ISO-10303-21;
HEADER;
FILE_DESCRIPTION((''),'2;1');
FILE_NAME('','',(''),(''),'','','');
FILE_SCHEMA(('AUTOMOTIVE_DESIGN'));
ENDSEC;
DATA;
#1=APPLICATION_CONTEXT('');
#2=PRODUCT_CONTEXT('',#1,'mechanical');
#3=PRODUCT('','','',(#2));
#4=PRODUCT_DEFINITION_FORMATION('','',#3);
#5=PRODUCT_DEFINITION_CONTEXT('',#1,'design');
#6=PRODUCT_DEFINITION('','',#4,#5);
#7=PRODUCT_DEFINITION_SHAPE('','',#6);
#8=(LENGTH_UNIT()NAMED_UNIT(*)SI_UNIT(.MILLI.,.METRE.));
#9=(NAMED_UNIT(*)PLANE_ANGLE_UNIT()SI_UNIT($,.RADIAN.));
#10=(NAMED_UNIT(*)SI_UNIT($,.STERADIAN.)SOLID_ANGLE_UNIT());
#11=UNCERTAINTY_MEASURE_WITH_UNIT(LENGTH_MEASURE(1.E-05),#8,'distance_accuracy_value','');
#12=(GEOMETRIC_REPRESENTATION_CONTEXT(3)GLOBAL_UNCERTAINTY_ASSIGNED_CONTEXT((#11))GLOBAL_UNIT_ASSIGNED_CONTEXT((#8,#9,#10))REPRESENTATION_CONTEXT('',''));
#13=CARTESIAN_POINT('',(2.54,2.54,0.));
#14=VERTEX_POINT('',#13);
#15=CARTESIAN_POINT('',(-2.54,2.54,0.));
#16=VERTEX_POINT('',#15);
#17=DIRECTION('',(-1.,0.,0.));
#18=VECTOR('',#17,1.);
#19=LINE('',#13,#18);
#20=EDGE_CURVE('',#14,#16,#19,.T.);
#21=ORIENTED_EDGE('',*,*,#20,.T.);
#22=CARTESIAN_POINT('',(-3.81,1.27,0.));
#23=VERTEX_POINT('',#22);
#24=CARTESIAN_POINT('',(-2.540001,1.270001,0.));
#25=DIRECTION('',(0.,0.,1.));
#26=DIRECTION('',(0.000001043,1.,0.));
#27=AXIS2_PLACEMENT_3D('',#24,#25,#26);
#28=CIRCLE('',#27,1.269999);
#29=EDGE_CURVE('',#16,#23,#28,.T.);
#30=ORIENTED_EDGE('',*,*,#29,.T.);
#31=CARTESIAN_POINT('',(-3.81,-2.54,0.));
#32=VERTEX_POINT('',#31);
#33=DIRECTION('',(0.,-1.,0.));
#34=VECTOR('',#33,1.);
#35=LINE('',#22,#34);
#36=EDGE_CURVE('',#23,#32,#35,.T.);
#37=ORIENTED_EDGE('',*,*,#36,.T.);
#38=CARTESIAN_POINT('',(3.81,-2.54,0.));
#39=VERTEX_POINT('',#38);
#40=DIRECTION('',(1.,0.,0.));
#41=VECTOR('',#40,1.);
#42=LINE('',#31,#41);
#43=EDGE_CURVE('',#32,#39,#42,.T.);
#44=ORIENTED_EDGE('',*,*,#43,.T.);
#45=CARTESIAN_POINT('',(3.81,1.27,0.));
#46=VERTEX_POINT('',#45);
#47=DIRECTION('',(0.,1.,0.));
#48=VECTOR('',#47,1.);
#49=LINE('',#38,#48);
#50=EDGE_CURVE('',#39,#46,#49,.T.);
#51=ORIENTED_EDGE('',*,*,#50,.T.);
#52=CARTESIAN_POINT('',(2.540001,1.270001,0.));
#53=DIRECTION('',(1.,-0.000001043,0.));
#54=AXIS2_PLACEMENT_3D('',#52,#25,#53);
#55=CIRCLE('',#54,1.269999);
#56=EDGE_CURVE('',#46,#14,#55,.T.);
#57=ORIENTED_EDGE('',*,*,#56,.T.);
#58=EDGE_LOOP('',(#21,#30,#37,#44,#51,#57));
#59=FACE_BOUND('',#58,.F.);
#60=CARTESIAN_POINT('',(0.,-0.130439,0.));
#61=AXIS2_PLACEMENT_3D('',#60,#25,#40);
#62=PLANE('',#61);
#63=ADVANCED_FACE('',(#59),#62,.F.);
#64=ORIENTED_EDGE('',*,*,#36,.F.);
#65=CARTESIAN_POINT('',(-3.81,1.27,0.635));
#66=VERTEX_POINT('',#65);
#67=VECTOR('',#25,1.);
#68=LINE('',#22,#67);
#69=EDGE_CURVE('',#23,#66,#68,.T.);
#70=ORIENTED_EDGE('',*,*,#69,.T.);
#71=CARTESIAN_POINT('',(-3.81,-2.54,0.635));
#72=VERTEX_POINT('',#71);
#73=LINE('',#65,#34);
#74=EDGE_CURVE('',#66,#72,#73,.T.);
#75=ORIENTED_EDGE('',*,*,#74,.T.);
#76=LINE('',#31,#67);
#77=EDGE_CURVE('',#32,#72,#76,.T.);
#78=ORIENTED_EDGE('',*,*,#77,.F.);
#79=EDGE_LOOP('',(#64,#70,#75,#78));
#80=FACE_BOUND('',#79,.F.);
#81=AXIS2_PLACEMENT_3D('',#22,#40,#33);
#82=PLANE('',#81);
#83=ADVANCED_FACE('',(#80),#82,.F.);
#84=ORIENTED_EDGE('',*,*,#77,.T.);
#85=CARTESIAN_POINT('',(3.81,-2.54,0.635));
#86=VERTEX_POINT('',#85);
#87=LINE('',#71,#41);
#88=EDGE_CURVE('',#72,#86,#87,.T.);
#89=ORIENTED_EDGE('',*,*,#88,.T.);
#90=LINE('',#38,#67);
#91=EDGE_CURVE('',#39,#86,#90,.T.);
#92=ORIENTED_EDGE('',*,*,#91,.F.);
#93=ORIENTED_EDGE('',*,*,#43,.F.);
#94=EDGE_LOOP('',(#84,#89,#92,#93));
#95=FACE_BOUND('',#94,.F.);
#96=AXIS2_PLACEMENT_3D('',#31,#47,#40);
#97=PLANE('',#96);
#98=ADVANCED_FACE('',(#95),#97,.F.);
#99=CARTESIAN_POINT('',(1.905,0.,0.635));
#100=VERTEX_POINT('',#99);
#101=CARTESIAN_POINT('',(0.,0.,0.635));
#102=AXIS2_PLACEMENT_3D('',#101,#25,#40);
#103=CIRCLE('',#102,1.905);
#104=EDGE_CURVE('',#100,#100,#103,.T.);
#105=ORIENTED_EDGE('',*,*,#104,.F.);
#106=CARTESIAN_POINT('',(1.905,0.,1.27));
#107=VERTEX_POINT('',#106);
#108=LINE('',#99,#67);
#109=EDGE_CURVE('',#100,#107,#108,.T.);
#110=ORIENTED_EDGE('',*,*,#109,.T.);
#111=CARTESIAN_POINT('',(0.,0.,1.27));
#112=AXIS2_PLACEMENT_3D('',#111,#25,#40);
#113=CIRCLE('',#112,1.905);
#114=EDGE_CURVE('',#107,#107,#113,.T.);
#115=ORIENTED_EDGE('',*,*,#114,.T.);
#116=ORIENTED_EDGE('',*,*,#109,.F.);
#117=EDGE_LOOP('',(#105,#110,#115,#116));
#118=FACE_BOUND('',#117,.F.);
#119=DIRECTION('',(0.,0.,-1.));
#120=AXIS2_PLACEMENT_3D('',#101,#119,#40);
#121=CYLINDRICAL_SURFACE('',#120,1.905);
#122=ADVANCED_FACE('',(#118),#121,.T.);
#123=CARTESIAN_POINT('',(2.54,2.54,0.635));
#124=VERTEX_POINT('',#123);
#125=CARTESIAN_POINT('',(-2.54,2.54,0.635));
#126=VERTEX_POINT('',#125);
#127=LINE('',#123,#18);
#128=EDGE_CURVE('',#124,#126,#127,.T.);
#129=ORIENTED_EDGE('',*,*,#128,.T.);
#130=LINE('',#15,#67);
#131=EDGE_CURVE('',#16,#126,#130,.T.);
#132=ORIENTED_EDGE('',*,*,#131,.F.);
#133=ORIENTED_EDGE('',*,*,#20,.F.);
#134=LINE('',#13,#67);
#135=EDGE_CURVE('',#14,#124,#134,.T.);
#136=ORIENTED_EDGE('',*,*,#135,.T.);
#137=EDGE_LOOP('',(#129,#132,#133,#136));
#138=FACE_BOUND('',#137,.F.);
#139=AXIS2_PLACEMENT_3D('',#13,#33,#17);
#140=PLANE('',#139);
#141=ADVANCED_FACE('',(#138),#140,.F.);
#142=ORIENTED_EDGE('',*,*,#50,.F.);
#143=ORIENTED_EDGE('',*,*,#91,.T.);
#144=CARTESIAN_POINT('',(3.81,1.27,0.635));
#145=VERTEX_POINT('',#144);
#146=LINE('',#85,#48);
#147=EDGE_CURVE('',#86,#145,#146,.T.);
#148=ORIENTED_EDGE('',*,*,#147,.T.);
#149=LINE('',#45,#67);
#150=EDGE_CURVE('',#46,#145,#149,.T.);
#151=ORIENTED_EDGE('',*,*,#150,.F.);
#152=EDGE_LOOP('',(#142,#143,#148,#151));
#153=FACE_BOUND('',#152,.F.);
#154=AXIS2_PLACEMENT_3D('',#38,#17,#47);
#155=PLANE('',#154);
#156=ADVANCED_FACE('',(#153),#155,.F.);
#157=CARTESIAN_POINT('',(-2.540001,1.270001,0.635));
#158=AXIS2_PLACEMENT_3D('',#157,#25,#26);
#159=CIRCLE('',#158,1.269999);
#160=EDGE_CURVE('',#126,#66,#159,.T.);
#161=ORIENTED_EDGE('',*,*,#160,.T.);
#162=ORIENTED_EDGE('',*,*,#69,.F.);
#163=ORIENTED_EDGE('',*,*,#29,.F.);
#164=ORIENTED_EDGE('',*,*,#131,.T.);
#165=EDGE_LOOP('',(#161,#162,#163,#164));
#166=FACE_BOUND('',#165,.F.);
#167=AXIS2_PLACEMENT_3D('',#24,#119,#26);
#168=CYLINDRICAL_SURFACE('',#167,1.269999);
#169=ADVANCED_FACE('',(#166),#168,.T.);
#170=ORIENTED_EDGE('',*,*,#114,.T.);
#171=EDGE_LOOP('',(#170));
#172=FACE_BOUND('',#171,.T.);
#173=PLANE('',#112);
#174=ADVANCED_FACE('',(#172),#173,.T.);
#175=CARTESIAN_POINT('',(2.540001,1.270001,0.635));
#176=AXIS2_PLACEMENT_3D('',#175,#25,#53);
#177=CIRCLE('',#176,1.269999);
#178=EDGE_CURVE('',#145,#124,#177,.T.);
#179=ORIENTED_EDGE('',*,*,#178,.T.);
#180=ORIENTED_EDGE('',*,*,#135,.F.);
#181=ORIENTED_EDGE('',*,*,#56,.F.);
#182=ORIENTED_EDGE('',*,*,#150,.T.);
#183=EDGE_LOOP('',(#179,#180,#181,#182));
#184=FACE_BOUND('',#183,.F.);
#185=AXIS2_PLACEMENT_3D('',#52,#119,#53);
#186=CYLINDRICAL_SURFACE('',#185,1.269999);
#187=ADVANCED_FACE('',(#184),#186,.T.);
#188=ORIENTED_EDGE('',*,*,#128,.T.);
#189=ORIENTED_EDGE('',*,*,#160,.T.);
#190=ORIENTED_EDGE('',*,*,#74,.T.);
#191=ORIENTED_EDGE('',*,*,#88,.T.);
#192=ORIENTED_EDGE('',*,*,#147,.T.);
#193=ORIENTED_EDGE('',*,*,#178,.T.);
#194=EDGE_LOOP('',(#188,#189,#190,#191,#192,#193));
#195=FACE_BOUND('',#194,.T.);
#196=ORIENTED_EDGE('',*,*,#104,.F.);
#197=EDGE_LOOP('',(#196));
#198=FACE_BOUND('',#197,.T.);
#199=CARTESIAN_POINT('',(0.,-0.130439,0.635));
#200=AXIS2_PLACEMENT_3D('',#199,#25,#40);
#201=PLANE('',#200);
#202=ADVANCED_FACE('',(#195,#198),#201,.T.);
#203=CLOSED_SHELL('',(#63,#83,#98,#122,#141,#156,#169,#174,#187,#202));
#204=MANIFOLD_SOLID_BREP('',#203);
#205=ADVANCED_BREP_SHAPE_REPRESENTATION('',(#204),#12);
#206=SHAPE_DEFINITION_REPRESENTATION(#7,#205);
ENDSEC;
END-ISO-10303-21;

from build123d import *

# Parameters (mm, degrees)
F1_DEPTH = 0.635
F2_R     = 1.905
F3_DEPTH = 0.635


with BuildPart() as f1:
    # F0 (on Top) → F1 (new body)
    with BuildSketch(Plane.XY):
        with BuildLine():
            Line((-3.81, -2.54), (3.81, -2.54))
            Line((3.81, -2.54), (3.81, 1.27))
            ThreePointArc((3.81, 1.27), (3.438026, 2.168026), (2.54, 2.54))
            Line((2.54, 2.54), (-2.54, 2.54))
            ThreePointArc((-2.54, 2.54), (-3.438026, 2.168026), (-3.81, 1.27))
            Line((-3.81, 1.27), (-3.81, -2.54))
        make_face()
    extrude(amount=F1_DEPTH)

    # F2 (on face) → F3 (join)
    with BuildSketch(Plane.XY.offset(0.635)):
        Circle(F2_R)
    extrude(amount=F3_DEPTH)


solid = f1.part
